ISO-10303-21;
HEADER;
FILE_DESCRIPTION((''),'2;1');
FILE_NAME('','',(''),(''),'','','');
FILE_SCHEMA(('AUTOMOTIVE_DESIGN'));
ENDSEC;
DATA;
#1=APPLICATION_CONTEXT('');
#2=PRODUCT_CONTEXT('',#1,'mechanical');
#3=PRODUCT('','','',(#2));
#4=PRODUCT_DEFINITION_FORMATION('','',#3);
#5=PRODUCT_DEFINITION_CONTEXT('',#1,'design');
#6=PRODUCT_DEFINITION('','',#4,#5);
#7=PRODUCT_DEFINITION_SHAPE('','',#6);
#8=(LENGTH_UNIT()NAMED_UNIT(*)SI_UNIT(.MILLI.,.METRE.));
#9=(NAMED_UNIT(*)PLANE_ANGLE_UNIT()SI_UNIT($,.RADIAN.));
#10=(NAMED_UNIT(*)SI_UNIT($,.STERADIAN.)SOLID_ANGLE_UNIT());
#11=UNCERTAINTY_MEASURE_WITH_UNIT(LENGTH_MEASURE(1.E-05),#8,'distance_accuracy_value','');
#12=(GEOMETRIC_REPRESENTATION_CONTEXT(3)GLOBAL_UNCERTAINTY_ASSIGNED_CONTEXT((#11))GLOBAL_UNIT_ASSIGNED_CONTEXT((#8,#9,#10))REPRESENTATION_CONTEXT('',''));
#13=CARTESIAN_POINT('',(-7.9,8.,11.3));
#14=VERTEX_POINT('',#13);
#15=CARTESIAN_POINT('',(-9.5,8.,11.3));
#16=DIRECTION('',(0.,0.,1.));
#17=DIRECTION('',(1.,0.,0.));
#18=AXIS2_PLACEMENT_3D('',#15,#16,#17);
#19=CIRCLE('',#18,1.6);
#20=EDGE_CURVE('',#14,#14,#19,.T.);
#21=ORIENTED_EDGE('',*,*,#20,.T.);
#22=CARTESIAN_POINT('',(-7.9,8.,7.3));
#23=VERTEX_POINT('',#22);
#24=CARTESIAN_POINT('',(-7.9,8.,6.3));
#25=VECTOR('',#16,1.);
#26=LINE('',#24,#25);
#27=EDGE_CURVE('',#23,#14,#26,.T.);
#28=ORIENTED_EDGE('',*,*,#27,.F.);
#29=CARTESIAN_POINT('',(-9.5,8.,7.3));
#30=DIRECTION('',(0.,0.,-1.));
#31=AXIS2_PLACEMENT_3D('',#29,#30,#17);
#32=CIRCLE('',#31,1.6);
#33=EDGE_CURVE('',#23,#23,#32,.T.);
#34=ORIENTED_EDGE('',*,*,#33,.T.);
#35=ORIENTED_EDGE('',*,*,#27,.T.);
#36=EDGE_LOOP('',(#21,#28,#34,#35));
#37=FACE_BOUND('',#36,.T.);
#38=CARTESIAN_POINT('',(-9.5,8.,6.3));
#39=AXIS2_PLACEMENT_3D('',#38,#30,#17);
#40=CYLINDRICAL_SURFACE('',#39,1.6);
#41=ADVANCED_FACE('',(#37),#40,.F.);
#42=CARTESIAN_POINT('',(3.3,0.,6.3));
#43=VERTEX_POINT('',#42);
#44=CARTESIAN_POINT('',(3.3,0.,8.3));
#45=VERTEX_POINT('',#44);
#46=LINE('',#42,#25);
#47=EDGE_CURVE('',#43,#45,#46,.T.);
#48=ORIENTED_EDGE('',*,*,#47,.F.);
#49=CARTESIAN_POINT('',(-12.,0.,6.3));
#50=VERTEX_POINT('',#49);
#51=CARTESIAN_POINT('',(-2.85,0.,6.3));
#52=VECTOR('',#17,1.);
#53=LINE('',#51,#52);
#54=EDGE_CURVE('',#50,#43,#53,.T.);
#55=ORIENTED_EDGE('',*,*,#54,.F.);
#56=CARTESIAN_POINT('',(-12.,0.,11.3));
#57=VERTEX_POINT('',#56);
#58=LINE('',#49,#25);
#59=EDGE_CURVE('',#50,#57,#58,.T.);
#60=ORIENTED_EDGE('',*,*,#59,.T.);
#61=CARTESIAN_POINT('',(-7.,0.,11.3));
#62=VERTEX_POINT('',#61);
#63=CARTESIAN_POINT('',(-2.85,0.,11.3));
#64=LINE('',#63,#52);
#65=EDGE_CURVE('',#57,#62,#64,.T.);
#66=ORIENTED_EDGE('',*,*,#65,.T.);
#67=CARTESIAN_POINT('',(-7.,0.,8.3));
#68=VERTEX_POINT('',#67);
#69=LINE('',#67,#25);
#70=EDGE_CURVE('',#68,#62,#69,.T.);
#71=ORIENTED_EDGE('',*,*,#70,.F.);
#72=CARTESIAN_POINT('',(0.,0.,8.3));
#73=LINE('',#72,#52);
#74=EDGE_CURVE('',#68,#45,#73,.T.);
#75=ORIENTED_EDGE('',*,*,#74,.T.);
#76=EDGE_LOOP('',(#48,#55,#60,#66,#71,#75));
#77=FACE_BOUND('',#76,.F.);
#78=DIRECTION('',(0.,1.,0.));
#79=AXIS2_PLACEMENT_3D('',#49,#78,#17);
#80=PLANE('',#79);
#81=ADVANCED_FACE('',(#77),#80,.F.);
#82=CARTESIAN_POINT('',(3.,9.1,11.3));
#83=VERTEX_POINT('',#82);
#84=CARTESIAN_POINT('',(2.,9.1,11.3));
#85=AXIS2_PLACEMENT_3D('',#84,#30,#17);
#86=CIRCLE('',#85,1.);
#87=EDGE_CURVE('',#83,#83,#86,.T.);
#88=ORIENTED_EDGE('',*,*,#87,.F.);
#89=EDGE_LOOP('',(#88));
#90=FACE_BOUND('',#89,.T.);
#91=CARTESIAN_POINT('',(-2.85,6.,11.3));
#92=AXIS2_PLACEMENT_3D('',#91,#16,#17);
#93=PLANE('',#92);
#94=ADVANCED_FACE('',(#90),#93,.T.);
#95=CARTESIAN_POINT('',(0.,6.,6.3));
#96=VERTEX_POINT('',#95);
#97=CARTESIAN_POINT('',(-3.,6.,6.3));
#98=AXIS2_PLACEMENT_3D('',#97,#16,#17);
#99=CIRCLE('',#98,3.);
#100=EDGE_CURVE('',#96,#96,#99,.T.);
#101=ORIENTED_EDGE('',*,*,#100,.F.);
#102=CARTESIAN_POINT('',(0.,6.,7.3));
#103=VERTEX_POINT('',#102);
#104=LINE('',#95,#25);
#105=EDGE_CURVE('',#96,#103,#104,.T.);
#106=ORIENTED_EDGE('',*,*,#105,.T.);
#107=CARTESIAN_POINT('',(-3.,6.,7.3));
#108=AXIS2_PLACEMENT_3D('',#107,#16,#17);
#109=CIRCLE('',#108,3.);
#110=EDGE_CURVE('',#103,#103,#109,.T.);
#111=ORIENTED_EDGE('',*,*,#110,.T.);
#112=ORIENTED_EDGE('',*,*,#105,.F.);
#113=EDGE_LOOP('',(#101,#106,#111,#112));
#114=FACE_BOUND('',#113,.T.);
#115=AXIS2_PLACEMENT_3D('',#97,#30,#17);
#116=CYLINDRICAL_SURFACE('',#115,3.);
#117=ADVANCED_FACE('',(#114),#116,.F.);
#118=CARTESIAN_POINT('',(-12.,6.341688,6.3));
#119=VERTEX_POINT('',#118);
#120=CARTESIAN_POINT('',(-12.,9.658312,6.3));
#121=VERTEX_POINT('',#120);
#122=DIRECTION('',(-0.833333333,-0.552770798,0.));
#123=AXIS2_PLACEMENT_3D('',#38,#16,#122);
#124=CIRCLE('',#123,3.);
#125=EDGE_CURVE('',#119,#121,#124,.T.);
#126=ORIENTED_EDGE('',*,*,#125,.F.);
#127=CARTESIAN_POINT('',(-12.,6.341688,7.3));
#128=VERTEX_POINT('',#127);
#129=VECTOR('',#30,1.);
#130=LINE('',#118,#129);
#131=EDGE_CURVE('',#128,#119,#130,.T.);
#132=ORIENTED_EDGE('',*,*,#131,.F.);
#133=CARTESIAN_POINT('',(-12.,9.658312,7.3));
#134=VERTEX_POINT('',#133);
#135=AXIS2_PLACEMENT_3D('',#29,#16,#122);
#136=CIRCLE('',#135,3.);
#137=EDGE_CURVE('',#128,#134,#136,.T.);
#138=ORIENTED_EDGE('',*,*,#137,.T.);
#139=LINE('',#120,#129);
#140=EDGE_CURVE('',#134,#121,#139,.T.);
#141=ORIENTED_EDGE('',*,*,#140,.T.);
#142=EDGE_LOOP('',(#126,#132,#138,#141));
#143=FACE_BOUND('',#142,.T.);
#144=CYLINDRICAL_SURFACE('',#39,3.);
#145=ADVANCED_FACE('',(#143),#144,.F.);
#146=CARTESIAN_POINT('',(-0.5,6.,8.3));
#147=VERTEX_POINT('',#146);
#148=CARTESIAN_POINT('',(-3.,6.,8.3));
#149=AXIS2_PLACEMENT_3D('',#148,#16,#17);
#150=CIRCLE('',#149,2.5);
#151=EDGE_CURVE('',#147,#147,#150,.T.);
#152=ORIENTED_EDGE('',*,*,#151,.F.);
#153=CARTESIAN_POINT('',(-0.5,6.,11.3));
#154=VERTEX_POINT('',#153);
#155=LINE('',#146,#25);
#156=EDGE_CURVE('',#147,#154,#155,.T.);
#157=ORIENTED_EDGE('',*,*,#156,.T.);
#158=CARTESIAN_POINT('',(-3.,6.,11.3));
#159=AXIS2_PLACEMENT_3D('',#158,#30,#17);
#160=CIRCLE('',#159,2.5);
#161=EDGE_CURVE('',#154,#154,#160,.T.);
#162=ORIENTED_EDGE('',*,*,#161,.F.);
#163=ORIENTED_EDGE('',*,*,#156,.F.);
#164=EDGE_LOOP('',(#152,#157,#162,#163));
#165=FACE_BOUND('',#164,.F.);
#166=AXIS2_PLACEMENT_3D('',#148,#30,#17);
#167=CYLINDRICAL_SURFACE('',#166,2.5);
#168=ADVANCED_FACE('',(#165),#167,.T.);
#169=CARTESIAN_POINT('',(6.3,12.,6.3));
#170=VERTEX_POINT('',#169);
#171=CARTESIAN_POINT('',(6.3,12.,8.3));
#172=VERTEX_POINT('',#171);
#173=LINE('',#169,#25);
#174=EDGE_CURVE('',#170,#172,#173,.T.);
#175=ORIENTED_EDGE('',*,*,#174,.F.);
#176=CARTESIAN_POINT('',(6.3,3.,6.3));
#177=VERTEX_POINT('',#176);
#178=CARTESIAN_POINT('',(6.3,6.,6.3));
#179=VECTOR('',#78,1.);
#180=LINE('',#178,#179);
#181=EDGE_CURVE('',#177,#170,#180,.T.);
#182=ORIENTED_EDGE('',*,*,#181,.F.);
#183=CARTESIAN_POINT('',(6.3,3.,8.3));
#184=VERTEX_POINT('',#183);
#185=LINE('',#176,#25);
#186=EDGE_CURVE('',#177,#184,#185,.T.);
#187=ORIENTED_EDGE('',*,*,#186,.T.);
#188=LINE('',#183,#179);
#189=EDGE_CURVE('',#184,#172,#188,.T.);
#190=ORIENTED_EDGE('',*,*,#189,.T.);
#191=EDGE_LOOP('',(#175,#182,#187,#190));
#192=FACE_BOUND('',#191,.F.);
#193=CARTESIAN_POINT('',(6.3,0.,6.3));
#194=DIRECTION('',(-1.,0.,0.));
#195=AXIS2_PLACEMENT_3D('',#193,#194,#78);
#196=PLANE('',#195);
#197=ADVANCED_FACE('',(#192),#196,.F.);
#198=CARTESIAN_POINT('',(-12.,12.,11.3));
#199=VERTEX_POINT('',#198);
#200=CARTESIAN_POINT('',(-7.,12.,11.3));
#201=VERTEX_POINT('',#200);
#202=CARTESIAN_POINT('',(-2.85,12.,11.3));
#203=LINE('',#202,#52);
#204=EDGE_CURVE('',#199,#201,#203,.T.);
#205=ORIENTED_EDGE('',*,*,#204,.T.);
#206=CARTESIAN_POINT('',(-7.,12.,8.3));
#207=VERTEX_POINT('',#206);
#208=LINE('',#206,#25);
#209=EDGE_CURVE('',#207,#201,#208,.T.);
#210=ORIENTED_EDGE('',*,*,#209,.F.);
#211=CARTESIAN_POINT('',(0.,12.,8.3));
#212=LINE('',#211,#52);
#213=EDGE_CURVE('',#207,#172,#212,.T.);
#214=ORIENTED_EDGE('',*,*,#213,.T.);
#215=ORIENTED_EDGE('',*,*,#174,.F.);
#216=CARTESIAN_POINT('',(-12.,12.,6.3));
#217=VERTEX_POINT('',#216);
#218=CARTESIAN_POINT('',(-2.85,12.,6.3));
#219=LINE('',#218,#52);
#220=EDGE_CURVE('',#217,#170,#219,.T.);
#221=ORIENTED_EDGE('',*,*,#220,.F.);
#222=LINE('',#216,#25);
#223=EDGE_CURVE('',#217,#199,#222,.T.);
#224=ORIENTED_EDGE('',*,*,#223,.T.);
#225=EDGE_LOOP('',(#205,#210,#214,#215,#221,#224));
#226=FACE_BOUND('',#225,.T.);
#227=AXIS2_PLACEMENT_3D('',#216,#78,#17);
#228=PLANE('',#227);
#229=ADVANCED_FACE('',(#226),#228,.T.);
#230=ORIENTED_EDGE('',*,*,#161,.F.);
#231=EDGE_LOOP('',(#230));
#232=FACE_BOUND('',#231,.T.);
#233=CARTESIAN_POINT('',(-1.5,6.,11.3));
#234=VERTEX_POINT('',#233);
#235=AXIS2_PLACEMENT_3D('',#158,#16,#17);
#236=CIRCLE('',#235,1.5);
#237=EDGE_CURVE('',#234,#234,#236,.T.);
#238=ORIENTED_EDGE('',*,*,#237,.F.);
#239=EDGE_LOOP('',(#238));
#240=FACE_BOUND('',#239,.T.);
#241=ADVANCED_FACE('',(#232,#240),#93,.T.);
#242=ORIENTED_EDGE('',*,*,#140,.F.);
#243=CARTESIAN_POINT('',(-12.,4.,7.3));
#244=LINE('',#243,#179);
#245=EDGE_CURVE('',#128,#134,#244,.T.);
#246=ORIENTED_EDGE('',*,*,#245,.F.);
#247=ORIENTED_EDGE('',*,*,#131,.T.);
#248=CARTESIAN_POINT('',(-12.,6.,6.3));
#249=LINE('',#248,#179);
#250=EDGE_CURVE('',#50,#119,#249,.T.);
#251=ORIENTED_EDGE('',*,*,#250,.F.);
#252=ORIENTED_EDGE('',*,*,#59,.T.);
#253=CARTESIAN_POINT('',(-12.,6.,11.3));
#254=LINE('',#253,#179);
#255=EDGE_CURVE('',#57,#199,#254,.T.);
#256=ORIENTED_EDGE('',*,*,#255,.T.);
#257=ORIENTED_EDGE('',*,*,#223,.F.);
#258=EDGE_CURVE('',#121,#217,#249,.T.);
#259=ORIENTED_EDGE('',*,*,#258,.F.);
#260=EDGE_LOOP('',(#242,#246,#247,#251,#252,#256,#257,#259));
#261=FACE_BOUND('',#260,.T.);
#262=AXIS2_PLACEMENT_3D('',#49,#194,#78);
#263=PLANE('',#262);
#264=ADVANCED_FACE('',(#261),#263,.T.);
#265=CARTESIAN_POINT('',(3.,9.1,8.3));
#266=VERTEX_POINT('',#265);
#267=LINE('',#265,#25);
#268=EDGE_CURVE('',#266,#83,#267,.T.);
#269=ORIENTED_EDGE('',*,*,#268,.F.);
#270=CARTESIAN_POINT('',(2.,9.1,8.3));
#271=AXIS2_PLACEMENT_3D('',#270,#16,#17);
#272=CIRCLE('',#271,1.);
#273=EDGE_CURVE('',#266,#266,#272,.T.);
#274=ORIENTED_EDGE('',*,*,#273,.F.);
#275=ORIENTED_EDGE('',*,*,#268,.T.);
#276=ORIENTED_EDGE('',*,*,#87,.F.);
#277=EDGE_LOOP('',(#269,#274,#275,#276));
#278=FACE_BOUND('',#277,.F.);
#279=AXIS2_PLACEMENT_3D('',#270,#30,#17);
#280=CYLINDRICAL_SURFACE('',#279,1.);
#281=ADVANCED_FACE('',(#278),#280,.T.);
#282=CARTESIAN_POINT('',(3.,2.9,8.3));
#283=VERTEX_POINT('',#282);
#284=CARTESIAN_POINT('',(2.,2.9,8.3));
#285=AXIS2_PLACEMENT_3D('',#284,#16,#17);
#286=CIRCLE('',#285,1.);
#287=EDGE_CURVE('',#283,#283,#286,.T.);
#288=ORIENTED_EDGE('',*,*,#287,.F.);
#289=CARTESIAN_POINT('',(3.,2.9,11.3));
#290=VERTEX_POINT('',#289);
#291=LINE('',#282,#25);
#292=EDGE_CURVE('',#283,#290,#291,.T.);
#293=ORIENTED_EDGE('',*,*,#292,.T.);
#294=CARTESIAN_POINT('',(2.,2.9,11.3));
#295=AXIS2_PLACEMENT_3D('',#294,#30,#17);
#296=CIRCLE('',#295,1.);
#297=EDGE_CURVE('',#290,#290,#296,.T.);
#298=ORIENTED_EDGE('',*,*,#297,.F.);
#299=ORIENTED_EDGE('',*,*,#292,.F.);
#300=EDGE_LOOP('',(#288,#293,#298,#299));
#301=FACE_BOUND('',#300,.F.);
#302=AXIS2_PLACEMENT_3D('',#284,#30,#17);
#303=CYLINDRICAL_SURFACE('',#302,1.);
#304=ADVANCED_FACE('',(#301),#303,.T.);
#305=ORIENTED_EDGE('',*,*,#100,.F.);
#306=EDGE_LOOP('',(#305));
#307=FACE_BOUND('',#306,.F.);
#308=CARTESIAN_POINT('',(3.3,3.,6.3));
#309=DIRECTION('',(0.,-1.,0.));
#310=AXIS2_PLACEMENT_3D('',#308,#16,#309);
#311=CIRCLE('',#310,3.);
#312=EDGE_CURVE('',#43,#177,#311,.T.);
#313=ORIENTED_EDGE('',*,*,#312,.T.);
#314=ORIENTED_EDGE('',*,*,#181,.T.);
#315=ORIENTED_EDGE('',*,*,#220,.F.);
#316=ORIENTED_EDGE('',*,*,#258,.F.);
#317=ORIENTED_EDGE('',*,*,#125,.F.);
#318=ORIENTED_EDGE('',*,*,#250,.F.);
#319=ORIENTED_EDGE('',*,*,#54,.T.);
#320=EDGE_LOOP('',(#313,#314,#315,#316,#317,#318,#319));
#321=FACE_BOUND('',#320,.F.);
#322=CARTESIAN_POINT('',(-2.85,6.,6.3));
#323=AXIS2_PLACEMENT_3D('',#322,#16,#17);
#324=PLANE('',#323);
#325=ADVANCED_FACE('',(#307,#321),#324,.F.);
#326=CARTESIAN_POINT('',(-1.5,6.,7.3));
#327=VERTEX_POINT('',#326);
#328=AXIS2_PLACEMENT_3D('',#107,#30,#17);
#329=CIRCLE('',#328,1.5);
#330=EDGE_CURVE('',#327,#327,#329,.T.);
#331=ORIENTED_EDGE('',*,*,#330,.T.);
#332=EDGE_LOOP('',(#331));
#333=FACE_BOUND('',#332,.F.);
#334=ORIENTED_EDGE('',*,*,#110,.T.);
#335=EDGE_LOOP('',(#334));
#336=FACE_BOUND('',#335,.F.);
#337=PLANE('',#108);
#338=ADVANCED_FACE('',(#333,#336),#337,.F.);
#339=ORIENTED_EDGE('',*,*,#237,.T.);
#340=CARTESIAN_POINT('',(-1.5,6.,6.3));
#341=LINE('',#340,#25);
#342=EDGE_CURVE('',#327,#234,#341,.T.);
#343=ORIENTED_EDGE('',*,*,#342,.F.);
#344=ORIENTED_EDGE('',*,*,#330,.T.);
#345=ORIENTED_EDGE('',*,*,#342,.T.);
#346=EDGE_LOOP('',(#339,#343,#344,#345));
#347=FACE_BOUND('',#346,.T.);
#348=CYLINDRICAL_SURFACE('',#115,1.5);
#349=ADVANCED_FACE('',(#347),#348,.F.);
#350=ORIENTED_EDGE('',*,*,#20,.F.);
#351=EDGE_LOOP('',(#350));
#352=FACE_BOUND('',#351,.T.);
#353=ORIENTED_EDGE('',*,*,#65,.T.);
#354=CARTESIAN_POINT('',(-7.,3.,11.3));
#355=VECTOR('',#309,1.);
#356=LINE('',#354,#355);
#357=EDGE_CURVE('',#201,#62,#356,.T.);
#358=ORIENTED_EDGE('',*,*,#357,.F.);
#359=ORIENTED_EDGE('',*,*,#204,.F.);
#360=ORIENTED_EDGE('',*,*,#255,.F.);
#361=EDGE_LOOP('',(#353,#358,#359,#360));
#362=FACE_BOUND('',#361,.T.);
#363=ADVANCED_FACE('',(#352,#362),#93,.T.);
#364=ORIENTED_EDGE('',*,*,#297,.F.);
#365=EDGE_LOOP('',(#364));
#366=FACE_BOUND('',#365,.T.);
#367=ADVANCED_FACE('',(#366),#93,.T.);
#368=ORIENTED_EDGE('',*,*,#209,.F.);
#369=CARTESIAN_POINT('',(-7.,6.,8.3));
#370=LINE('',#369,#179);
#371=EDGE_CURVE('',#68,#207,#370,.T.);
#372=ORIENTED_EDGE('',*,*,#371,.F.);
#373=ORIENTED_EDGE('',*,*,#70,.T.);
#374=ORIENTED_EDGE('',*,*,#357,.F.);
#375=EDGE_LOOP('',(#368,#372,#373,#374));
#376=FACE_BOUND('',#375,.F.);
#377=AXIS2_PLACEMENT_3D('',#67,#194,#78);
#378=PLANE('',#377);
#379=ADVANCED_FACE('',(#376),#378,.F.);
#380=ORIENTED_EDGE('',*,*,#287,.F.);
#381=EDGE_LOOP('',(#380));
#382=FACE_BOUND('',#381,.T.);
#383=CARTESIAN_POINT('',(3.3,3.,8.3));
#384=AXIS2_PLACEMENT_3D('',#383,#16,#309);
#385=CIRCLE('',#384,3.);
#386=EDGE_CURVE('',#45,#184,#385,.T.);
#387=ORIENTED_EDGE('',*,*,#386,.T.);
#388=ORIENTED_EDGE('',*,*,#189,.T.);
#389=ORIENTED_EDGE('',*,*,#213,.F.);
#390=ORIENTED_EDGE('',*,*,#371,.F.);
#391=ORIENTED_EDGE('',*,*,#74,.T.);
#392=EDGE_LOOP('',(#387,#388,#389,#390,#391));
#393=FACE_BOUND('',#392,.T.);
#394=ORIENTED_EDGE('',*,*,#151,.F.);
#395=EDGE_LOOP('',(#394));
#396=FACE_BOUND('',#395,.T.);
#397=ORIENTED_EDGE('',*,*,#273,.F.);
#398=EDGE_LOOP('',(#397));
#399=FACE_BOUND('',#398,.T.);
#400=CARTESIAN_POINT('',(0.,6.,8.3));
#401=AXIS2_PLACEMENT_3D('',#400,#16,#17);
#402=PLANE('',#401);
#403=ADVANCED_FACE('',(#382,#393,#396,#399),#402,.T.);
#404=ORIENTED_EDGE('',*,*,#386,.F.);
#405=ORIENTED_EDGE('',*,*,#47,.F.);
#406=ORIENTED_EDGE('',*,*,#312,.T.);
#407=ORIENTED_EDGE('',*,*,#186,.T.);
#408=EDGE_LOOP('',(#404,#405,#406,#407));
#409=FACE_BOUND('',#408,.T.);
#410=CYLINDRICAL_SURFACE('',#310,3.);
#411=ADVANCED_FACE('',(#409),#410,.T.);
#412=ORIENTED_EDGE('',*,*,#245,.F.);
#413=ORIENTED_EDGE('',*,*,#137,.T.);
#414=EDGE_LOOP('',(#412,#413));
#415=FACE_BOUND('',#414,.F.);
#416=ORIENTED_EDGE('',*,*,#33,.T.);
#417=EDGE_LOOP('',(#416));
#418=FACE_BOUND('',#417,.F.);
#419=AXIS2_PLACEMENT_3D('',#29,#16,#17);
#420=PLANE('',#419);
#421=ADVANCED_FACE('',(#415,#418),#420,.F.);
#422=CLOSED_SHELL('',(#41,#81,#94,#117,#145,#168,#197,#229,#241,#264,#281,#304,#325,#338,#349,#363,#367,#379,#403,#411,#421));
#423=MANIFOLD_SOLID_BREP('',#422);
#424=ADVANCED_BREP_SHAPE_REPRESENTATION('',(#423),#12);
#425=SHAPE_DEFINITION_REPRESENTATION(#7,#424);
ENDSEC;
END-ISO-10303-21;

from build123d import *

# Parameters (mm, degrees)
SKETCH_W        = 18.3
SKETCH_H        = 12
SKETCH_R        = 1.5
SKETCH_R_2      = 1.6
PAD_DEPTH       = 5
SKETCH001_W     = 14
SKETCH001_H     = 12
SKETCH001_R     = 2.5
SKETCH001_R_2   = 1
POCKET_DEPTH    = 3.001
SKETCH002_R     = 3
POCKET001_DEPTH = 1
FILLET_R        = 3


with BuildPart() as part:
    # Sketch → Pad (new body)
    with BuildSketch(Plane.XY):
        with Locations((9.15, 6)):
            Rectangle(SKETCH_W, SKETCH_H)
        with Locations((9, 6)):
            Circle(SKETCH_R, mode=Mode.SUBTRACT)
        with Locations((2.5, 8)):
            Circle(SKETCH_R_2, mode=Mode.SUBTRACT)
    extrude(amount=PAD_DEPTH)

    # Sketch001 (on DatumPlane) → Pocket (cut, through all)
    with BuildSketch(Plane.XY.offset(2)):
        with Locations((12, 6)):
            Rectangle(SKETCH001_W, SKETCH001_H)
        with Locations((9, 6)):
            Circle(SKETCH001_R, mode=Mode.SUBTRACT)
        with Locations((14, 9.1)):
            Circle(SKETCH001_R_2, mode=Mode.SUBTRACT)
        with Locations((14, 2.9)):
            Circle(SKETCH001_R_2, mode=Mode.SUBTRACT)
    extrude(amount=POCKET_DEPTH, mode=Mode.SUBTRACT)

    # Sketch002 → Pocket001 (cut)
    with BuildSketch(Plane.XY):
        with Locations((2.5, 8)):
            Circle(SKETCH002_R)
        with Locations((9, 6)):
            Circle(SKETCH002_R)
    extrude(amount=POCKET001_DEPTH, mode=Mode.SUBTRACT)

    # Fillet
    fillet_edges = [part.edges().sort_by_distance(p)[0] for p in [
        (18.3, 0, 1),
    ]]
    fillet(fillet_edges, radius=FILLET_R)


with BuildPart() as part_1:
    # Body placement: moved
    add(part.part.moved(Location((-12, 0, 6.3))))


solid = part_1.part
